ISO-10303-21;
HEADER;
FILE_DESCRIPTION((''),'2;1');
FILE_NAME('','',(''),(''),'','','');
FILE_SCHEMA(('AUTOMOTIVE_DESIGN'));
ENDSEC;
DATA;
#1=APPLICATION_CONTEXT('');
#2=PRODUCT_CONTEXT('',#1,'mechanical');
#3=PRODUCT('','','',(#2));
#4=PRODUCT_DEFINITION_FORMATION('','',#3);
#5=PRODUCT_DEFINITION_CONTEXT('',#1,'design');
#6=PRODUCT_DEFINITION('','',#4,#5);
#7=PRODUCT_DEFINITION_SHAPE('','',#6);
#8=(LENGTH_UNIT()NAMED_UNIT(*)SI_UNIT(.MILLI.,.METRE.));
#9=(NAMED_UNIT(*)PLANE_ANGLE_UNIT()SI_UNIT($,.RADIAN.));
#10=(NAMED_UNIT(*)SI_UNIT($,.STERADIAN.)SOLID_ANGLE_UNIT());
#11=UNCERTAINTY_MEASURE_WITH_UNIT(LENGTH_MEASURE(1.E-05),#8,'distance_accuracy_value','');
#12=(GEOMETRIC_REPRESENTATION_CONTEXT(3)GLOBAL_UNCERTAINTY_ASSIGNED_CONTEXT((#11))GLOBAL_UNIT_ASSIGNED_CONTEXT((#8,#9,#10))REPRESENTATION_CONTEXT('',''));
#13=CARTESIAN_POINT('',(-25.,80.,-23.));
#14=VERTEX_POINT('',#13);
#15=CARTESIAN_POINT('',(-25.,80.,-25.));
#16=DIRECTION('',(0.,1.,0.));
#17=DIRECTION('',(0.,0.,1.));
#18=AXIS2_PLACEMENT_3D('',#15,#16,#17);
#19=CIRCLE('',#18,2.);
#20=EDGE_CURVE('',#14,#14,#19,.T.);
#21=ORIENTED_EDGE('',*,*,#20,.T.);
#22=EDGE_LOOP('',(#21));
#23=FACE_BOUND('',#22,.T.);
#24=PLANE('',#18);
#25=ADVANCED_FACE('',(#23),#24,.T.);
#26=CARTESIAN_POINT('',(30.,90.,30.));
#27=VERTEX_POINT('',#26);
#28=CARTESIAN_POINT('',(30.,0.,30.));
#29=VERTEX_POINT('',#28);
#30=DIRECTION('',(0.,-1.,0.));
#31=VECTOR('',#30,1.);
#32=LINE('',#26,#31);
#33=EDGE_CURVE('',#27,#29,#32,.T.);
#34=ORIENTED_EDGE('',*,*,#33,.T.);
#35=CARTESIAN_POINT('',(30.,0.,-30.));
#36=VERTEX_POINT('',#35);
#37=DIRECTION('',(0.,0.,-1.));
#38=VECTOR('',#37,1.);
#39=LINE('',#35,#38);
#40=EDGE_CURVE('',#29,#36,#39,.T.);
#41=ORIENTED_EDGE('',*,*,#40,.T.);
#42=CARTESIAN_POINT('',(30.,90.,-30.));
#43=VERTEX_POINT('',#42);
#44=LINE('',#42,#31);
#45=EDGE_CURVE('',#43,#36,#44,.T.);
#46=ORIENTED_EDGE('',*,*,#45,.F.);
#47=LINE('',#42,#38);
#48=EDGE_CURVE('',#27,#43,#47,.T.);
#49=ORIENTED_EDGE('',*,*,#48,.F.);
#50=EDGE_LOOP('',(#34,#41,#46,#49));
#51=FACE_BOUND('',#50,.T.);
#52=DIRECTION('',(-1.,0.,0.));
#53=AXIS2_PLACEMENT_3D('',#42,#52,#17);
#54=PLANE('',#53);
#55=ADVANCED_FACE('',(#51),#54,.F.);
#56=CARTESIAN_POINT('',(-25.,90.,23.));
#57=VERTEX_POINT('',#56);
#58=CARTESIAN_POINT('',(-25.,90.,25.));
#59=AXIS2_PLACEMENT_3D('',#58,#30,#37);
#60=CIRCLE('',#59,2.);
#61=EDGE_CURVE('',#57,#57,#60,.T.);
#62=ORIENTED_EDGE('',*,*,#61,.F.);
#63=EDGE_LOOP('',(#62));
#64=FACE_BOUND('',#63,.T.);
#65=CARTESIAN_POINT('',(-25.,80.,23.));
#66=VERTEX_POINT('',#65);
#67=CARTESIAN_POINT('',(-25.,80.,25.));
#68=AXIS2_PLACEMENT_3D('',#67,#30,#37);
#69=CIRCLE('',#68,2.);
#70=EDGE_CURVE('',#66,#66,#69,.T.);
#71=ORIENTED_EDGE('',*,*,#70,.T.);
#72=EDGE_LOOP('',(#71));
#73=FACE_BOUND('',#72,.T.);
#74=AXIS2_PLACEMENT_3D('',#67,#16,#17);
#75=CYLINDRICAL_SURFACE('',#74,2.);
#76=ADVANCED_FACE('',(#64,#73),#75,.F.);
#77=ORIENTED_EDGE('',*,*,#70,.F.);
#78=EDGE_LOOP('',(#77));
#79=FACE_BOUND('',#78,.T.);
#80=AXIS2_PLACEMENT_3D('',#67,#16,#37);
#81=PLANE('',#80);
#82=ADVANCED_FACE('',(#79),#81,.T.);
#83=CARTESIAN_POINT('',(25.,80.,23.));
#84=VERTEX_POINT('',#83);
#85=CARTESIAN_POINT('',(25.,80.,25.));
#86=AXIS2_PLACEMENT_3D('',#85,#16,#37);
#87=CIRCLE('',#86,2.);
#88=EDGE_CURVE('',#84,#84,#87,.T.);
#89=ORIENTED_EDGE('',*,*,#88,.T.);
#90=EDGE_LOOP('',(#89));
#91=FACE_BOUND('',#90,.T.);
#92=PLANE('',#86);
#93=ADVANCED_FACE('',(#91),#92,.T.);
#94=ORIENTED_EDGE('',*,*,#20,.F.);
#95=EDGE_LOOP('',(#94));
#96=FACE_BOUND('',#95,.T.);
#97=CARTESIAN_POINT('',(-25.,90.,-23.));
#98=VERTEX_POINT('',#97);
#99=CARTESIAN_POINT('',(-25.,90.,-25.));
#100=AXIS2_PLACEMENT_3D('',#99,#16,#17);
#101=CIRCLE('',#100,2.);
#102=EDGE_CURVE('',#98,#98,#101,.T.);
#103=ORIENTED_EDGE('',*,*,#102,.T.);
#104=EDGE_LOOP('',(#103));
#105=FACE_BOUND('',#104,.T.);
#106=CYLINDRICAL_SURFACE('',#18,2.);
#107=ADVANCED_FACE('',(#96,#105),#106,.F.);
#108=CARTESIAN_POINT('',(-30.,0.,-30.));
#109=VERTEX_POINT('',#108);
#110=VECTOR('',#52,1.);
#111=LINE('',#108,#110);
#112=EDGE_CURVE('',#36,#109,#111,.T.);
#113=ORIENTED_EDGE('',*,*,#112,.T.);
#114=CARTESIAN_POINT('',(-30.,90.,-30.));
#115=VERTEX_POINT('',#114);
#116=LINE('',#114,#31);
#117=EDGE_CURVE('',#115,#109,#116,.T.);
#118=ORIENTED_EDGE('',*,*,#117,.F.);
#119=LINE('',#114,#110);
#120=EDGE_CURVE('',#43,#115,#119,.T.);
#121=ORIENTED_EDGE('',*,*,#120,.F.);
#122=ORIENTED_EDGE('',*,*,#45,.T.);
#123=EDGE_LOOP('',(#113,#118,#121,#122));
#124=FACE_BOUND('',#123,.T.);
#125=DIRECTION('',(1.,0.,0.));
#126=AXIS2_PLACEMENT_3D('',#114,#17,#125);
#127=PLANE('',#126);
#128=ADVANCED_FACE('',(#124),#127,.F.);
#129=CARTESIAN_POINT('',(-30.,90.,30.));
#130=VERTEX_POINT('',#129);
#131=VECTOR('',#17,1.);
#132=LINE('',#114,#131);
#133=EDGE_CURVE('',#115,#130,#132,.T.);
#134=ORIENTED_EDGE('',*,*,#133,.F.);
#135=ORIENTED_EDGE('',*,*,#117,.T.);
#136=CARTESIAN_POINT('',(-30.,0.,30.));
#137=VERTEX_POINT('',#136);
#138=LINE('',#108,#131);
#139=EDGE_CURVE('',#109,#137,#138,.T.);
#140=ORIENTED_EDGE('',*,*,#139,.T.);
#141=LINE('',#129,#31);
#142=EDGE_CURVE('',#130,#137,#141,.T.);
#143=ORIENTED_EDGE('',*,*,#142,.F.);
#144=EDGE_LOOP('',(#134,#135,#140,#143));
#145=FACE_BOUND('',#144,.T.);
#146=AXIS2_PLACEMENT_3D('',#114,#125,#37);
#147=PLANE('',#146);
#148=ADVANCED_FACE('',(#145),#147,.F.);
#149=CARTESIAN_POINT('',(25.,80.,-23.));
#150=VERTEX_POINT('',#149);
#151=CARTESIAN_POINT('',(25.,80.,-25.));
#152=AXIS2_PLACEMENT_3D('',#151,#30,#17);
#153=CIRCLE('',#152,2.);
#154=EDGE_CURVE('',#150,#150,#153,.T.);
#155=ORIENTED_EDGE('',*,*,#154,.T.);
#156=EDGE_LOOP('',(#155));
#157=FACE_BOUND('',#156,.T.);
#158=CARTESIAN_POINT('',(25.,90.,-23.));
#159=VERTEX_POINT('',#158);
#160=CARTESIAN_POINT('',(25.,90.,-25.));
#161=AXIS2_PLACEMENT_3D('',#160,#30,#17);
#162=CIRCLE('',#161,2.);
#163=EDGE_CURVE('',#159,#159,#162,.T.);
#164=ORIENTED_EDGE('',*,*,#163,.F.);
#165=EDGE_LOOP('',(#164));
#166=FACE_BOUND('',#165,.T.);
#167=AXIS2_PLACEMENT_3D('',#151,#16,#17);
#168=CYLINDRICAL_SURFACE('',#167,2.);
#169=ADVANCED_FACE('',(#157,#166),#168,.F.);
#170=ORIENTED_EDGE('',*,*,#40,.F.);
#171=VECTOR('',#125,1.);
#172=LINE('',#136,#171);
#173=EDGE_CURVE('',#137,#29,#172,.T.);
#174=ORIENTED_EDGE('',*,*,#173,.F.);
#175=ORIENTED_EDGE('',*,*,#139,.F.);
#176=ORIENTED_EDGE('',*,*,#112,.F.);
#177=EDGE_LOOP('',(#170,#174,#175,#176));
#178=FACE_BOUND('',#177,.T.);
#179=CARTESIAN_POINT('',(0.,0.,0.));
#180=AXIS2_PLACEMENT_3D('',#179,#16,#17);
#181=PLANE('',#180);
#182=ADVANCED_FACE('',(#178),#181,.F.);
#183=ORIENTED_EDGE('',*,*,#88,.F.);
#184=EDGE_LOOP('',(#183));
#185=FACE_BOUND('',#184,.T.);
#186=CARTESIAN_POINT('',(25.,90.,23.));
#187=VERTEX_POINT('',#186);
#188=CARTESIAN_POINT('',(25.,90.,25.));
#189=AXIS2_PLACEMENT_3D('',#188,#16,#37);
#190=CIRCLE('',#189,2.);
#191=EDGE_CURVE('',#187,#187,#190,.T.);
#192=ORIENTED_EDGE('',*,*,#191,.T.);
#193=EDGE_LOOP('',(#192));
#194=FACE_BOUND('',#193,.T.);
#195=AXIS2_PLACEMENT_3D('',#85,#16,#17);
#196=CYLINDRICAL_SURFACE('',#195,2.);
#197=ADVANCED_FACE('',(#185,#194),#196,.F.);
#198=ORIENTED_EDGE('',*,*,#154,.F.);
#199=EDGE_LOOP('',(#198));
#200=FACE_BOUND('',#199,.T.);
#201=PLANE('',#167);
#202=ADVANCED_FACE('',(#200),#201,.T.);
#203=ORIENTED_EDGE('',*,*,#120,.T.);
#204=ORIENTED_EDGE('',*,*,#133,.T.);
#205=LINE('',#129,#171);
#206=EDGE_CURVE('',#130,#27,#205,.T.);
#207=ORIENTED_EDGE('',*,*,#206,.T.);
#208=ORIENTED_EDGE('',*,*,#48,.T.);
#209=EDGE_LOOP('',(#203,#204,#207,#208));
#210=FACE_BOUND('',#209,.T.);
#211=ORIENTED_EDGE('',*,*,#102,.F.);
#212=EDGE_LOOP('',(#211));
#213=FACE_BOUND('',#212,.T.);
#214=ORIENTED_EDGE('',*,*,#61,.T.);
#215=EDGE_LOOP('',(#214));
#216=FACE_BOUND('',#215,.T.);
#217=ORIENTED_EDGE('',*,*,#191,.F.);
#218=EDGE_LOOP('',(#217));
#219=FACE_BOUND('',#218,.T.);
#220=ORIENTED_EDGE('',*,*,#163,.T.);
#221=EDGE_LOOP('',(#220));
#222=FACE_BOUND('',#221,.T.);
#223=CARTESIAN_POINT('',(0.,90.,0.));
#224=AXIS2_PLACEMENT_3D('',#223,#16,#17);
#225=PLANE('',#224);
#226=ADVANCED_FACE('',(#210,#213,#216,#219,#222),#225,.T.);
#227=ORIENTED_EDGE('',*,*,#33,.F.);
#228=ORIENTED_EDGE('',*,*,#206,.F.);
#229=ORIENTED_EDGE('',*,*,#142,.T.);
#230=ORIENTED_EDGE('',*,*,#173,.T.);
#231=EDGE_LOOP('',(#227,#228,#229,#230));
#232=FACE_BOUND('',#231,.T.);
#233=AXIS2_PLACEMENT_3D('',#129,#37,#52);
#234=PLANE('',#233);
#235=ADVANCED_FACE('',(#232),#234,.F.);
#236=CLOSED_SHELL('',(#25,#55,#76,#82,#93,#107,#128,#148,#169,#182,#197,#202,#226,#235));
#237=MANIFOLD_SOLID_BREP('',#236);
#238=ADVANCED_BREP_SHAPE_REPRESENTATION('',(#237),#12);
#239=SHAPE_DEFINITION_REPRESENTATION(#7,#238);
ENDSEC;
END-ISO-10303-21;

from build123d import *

# Parameters (mm, degrees)
SKETCH1_W               = 60
SKETCH1_H               = 60
BOSS_EXTRUDE1_DEPTH     = 90
SKETCH2_R               = 2
CUT_EXTRUDE1_DEPTH      = 10
MIRROR2_COPY_1_SKETCH_R = 2
MIRROR2_COPY_1_DEPTH    = 10


with BuildPart() as part:
    # Sketch1 → Boss-Extrude1 (new body)
    with BuildSketch(Plane(origin=(0, 0, 0), x_dir=(1, 0, 0), z_dir=(0, 1, 0))):
        Rectangle(SKETCH1_W, SKETCH1_H)
    extrude(amount=BOSS_EXTRUDE1_DEPTH)

    # Sketch2 → Cut-Extrude1 (cut)
    with BuildSketch(Plane(origin=(0, 90, 0), x_dir=(1, 0, 0), z_dir=(0, 1, 0))):
        with Locations((-25, 25)):
            Circle(SKETCH2_R)
    cut_extrude1 = extrude(amount=-CUT_EXTRUDE1_DEPTH, mode=Mode.SUBTRACT)

    # Mirror1: Cut-Extrude1 across plane
    add(cut_extrude1.mirror(Plane(origin=(0, 0, 0), x_dir=(0, 0, 1), z_dir=(1, 0, 0))), mode=Mode.SUBTRACT)

    # Mirror2: Cut-Extrude1 across plane
    add(cut_extrude1.mirror(Plane.XY), mode=Mode.SUBTRACT)

    # Mirror2 copy 1 sketch → Mirror2 copy 1 (cut)
    with BuildSketch(Plane(origin=(0, 90, 0), x_dir=(-1, 0, 0), z_dir=(0, 1, 0))):
        with Locations((-25, 25)):
            Circle(MIRROR2_COPY_1_SKETCH_R)
    extrude(amount=-MIRROR2_COPY_1_DEPTH, mode=Mode.SUBTRACT)


solid = part.part
